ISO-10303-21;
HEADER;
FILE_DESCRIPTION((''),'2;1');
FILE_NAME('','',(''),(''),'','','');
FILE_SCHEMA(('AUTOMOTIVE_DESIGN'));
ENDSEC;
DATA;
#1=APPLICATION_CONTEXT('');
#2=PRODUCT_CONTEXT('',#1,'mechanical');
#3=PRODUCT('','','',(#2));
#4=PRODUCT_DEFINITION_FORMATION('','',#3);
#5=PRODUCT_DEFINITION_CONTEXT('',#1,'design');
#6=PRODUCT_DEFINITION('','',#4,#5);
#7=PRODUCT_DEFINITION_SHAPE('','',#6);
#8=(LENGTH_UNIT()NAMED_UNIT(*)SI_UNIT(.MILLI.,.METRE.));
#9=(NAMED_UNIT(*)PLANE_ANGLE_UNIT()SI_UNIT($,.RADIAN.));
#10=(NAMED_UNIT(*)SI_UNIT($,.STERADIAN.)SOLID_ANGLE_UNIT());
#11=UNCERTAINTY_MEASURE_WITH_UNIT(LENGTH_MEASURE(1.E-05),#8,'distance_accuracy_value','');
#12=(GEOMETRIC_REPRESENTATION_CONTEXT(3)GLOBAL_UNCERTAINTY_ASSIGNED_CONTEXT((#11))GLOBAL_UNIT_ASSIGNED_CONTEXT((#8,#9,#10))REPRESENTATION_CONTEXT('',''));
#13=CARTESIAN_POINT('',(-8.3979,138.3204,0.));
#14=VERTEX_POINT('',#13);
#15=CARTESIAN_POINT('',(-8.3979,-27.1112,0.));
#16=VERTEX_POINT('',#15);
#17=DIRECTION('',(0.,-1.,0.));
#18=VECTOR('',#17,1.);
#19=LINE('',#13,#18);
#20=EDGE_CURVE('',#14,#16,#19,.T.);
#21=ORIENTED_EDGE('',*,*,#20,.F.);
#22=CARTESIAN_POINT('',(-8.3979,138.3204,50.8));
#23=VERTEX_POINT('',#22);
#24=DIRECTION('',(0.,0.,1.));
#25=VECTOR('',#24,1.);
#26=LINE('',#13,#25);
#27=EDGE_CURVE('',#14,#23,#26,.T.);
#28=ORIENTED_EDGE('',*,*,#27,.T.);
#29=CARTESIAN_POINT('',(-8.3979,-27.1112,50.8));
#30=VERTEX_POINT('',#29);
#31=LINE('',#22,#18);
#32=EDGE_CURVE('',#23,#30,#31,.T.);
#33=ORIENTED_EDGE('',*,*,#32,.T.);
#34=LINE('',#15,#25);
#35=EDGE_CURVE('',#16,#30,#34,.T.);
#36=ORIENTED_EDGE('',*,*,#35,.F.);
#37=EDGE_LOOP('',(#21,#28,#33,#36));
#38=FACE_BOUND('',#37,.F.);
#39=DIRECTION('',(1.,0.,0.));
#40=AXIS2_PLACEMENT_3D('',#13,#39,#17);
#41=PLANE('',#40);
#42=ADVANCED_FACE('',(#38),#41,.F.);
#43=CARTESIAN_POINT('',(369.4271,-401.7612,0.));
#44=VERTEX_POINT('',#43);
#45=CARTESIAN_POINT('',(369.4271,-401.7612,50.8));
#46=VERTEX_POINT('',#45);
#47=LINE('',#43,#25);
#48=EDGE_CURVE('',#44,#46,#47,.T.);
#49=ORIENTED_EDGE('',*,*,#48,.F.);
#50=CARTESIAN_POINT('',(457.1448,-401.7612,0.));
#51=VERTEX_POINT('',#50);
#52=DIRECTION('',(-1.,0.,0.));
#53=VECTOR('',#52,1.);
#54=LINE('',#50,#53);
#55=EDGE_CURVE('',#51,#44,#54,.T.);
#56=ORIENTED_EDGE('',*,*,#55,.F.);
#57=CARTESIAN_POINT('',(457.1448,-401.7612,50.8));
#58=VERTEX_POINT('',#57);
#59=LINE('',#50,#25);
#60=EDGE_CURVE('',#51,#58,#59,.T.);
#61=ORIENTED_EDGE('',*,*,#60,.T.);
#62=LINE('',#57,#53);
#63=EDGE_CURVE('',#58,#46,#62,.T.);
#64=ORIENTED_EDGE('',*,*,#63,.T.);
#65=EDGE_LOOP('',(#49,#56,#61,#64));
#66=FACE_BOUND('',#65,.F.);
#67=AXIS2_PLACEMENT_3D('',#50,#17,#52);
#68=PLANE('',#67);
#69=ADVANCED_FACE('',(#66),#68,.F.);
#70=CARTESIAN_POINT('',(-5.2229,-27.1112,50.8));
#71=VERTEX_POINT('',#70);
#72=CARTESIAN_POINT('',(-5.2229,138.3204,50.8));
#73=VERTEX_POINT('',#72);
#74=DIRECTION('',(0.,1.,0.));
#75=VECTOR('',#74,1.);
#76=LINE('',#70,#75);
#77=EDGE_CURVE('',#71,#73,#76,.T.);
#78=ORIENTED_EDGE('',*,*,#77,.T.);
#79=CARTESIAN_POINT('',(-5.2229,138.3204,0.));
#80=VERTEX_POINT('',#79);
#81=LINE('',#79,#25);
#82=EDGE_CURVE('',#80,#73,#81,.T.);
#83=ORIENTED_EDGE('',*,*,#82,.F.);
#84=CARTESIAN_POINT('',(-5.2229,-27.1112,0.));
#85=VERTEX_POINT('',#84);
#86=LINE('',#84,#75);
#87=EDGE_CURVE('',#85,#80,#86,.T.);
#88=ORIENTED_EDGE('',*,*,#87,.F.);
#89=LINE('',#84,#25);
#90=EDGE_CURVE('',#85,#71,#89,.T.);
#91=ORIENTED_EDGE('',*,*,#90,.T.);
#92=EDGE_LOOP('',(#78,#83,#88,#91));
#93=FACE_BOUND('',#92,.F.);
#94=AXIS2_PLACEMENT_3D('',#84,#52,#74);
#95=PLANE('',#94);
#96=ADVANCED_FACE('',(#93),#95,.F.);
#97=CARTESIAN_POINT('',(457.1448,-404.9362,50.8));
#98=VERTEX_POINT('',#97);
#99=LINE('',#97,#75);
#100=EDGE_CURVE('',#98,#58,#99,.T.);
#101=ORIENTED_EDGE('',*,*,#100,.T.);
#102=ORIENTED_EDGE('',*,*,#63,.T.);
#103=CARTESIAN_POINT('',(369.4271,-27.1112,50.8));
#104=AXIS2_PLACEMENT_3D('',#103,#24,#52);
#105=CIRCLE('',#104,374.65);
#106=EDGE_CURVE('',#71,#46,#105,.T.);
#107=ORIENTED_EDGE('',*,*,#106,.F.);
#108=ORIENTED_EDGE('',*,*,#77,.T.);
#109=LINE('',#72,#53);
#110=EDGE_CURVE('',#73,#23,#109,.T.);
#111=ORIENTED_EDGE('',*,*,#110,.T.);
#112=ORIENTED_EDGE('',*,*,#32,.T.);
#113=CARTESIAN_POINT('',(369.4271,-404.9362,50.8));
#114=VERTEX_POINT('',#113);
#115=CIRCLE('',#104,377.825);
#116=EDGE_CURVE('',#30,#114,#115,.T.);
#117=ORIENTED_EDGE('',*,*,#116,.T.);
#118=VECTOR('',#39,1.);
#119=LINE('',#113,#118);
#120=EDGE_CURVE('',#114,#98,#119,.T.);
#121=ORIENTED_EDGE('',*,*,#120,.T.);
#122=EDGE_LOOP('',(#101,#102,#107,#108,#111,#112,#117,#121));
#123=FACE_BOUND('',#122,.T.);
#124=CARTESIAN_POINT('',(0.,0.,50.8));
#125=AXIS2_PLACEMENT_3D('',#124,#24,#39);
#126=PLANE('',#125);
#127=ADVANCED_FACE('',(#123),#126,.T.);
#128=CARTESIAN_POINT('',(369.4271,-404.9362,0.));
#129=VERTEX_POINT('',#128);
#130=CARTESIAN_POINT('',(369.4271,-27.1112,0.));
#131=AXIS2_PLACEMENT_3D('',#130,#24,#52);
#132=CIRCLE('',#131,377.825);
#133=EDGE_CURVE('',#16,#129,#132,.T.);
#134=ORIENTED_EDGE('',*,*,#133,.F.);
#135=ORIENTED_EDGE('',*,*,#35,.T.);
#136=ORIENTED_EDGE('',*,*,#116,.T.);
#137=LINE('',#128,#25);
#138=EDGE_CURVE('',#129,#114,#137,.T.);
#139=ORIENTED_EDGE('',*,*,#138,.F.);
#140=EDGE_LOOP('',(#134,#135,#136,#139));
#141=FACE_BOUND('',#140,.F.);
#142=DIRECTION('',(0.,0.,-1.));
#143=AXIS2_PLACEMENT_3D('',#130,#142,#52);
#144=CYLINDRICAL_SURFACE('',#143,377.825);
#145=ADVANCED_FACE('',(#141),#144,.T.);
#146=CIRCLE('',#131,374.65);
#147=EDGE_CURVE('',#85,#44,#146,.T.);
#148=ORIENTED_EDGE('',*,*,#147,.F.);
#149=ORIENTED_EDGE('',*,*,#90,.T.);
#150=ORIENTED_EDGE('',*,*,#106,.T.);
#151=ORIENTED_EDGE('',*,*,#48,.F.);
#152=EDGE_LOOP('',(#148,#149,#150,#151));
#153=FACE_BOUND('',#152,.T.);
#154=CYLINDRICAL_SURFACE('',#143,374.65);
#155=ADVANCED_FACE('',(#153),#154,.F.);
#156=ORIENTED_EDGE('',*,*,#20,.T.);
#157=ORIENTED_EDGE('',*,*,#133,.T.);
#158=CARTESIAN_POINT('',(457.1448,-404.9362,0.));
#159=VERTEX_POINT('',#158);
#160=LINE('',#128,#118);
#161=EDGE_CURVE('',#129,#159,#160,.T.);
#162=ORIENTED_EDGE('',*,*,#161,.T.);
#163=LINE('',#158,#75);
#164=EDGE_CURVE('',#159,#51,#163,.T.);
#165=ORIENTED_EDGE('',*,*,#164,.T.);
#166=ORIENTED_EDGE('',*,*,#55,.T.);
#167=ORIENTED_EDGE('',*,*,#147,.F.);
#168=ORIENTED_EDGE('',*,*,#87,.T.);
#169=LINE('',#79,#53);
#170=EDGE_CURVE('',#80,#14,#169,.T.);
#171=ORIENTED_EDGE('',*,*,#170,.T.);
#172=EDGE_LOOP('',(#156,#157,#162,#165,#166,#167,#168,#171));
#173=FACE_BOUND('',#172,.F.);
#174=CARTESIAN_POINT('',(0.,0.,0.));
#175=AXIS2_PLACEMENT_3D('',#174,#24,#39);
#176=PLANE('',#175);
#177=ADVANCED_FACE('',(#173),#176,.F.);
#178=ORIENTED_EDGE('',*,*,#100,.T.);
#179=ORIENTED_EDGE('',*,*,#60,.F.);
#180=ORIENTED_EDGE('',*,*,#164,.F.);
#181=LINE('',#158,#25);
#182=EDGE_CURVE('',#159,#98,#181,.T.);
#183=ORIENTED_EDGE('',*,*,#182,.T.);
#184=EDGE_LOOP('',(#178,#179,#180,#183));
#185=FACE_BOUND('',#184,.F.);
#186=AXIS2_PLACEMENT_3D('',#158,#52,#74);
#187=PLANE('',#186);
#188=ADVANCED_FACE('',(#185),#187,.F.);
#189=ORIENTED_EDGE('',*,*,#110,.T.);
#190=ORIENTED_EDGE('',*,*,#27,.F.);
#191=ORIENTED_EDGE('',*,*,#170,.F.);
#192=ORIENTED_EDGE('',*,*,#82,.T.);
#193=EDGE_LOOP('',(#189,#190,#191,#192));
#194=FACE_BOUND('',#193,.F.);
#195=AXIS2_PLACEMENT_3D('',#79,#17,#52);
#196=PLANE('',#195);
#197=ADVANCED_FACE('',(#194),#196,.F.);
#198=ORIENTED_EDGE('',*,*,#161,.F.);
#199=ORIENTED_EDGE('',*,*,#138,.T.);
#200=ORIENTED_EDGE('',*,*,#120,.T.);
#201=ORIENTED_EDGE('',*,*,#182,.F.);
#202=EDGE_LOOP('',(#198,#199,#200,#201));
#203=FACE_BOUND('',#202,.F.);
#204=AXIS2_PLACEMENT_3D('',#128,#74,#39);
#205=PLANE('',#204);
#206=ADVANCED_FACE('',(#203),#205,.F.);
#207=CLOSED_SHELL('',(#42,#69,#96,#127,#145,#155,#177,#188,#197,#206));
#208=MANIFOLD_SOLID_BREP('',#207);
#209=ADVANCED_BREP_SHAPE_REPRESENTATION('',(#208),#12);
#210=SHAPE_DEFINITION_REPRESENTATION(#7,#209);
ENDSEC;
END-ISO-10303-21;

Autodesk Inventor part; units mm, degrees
ref_plane "YZ Plane" through (0, 0, 0) normal (1, 0, 0) x (0, 1, 0)
ref_plane "XZ Plane" through (0, 0, 0) normal (0, 1, 0) x (-1, 0, 0)
ref_plane "XY Plane" through (0, 0, 0) normal (0, 0, 1) x (1, 0, 0)
sketch "Sketch1" plane through (0, 0, 0) normal (0, 0, 1) x (1, 0, 0)
  arc A0 (-5.2229, -27.1112) -> (369.4271, -401.7612) centre (369.4271, -27.1112) ccw
  arc A1 (-8.3979, -27.1112) -> (369.4271, -404.9362) centre (369.4271, -27.1112) ccw
  line L0 (-5.2229, -27.1112) -> (-5.2229, 138.3204)
  line L1 (-5.2229, 138.3204) -> (-8.3979, 138.3204)
  line L2 (-8.3979, 138.3204) -> (-8.3979, -27.1112)
  line L3 (369.4271, -404.9362) -> (457.1448, -404.9362)
  line L4 (457.1448, -404.9362) -> (457.1448, -401.7612)
  line L5 (457.1448, -401.7612) -> (369.4271, -401.7612)
  line L6 (-5.2229, -27.1112) -> (-8.3979, -27.1112) construction
  point P0 (0, 0)
  dimension "d0" = 749.3
  dimension "d2" = 3.175
extrude "Extrusion1" add sketch "Sketch1" along normal blind 50.8
properties part number "Shooter Curve"
